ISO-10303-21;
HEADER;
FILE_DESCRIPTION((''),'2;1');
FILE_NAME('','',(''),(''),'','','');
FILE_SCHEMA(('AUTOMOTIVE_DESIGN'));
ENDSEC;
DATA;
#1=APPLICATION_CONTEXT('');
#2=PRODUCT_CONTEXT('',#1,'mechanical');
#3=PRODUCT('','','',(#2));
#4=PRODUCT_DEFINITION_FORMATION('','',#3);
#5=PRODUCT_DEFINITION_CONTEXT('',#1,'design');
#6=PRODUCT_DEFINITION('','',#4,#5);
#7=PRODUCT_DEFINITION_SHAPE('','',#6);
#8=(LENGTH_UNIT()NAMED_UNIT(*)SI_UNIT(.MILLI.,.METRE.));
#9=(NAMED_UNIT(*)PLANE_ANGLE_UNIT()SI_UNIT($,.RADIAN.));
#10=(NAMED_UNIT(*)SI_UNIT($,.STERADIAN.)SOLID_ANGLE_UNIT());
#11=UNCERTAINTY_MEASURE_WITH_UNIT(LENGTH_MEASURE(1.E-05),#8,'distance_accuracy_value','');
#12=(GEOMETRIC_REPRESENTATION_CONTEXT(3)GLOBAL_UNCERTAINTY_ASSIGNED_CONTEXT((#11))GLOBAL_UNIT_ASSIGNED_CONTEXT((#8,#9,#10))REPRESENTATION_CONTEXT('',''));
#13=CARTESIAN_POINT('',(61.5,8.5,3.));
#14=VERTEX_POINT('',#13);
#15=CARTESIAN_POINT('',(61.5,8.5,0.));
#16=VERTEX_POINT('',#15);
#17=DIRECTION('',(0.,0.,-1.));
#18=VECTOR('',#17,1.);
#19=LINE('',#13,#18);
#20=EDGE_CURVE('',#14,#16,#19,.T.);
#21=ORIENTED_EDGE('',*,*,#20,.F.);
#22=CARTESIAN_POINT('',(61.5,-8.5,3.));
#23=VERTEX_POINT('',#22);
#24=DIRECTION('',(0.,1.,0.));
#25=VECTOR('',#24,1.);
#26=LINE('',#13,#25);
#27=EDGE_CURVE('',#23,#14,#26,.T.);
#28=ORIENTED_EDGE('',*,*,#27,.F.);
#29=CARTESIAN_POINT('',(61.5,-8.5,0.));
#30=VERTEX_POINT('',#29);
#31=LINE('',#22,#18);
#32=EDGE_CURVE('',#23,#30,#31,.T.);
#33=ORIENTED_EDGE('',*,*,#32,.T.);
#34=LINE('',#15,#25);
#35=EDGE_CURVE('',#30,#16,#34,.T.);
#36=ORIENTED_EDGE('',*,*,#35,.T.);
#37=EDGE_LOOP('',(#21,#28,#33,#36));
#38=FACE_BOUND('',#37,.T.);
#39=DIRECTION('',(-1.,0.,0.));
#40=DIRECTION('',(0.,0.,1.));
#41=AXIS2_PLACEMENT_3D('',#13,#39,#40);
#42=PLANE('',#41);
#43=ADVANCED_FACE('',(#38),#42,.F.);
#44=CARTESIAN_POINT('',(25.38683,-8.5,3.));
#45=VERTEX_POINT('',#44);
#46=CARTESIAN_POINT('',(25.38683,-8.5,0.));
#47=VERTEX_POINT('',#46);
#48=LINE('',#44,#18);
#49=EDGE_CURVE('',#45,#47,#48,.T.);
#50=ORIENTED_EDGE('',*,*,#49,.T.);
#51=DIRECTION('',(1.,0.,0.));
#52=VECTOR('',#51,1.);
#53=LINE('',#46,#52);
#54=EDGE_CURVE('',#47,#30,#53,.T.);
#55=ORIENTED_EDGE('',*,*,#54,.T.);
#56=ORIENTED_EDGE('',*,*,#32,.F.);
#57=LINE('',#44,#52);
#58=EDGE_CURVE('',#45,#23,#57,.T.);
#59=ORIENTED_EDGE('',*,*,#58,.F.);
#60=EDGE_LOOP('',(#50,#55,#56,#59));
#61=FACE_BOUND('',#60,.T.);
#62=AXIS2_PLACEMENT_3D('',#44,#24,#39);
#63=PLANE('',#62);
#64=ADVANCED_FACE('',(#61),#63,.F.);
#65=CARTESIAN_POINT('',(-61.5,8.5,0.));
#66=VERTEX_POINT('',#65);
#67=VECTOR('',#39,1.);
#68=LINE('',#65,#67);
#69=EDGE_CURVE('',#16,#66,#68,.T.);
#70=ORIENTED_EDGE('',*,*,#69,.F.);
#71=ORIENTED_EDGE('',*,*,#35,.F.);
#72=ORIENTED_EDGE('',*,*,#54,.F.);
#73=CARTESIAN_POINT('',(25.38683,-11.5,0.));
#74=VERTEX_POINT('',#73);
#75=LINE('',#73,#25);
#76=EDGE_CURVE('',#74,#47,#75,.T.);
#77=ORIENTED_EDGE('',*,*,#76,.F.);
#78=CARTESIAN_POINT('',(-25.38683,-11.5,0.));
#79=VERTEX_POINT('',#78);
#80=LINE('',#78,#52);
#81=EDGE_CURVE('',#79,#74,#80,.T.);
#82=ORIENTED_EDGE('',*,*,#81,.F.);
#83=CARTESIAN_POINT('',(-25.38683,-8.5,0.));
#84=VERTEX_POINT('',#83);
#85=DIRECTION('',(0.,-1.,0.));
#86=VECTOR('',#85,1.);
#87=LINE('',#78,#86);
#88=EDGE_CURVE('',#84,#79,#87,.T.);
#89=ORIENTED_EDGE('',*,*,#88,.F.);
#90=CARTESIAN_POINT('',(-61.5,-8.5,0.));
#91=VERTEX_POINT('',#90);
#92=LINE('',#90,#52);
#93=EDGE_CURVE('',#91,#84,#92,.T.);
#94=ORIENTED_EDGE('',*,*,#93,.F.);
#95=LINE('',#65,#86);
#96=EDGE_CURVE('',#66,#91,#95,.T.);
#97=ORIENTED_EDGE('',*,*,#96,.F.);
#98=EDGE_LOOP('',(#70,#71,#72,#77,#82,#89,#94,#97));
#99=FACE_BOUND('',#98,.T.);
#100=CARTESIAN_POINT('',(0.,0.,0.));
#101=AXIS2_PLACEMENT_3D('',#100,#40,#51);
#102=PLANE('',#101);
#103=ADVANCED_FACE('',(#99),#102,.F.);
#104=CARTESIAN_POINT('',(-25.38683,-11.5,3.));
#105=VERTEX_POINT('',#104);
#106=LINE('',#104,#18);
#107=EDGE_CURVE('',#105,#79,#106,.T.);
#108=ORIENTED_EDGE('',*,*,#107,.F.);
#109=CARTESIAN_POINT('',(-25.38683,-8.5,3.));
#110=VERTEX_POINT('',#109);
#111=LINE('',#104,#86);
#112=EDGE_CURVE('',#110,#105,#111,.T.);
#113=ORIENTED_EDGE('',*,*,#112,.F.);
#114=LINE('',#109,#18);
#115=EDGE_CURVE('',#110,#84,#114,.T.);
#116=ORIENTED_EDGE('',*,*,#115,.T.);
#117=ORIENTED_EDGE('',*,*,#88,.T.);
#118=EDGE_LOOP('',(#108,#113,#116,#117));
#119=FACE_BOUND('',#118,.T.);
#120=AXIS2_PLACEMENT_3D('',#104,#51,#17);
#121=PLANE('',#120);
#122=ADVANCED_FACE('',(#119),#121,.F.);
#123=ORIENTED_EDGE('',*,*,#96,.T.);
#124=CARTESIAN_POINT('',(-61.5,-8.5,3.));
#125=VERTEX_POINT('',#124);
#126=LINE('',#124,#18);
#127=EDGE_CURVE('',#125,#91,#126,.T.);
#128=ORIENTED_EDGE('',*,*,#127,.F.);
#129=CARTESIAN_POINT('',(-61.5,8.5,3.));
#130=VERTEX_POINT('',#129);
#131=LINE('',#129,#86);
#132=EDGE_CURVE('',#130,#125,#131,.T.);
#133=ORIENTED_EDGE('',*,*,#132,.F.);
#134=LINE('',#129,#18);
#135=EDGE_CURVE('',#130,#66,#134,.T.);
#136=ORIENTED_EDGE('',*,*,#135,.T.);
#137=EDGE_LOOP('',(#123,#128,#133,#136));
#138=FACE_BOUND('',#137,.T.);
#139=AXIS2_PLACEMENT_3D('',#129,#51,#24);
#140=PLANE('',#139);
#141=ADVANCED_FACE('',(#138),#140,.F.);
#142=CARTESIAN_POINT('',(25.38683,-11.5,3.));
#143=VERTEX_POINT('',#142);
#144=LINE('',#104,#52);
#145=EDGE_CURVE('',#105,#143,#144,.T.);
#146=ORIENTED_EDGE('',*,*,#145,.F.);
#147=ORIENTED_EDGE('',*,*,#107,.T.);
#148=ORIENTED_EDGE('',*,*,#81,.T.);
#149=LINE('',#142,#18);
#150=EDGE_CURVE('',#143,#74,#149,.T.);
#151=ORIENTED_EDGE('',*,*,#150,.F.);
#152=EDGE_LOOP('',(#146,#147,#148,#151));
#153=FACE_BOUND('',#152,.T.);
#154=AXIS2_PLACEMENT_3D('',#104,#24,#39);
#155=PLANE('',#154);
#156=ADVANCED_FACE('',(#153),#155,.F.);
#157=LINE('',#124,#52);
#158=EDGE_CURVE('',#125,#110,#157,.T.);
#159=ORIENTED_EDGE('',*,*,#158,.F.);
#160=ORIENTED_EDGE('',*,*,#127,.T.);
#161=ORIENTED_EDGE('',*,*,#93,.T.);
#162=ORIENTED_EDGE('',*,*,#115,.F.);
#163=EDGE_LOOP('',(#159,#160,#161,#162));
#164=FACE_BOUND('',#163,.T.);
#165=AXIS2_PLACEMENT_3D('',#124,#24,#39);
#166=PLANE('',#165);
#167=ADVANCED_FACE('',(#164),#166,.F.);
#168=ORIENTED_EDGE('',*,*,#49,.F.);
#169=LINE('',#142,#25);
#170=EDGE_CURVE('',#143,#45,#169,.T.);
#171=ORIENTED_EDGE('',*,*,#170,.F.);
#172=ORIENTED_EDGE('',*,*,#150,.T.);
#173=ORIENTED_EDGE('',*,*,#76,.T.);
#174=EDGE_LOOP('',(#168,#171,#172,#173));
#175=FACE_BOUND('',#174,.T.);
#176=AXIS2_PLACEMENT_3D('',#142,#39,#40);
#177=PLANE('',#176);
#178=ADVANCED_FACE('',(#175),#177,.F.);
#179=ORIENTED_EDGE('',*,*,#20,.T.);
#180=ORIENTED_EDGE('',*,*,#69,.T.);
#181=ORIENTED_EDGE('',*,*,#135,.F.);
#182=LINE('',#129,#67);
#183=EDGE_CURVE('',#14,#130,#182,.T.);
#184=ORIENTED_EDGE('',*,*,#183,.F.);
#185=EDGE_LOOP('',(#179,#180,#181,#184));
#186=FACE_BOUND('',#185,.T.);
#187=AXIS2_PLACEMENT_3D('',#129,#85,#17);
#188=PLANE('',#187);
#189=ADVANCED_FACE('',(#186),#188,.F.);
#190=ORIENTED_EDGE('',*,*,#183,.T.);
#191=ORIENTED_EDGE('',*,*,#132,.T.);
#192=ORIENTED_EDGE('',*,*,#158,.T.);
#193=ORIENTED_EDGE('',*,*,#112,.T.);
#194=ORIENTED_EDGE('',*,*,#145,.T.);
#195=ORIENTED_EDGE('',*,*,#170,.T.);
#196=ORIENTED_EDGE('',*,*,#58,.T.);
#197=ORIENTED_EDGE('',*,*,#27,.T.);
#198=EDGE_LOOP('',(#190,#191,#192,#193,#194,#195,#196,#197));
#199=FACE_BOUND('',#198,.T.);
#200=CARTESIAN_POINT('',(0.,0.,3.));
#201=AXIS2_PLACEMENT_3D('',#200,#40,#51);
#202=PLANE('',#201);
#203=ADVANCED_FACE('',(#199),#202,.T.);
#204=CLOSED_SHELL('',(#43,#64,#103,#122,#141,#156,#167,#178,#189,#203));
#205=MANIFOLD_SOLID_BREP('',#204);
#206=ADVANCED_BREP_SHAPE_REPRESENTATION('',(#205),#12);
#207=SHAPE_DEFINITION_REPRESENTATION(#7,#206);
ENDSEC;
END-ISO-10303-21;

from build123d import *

# Parameters (mm, degrees)
BOSS_EXTRUDE1_DEPTH = 3


with BuildPart() as part:
    # Sketch1 → Boss-Extrude1 (new body)
    with BuildSketch(Plane.XY):
        Polygon((25.386829775, -8.5), (61.5, -8.5), (61.5, 8.5), (-61.5, 8.5), (-61.5, -8.5), (-25.386829775, -8.5), (-25.386829775, -11.5), (25.386829775, -11.5), align=None)
    extrude(amount=BOSS_EXTRUDE1_DEPTH)


solid = part.part
